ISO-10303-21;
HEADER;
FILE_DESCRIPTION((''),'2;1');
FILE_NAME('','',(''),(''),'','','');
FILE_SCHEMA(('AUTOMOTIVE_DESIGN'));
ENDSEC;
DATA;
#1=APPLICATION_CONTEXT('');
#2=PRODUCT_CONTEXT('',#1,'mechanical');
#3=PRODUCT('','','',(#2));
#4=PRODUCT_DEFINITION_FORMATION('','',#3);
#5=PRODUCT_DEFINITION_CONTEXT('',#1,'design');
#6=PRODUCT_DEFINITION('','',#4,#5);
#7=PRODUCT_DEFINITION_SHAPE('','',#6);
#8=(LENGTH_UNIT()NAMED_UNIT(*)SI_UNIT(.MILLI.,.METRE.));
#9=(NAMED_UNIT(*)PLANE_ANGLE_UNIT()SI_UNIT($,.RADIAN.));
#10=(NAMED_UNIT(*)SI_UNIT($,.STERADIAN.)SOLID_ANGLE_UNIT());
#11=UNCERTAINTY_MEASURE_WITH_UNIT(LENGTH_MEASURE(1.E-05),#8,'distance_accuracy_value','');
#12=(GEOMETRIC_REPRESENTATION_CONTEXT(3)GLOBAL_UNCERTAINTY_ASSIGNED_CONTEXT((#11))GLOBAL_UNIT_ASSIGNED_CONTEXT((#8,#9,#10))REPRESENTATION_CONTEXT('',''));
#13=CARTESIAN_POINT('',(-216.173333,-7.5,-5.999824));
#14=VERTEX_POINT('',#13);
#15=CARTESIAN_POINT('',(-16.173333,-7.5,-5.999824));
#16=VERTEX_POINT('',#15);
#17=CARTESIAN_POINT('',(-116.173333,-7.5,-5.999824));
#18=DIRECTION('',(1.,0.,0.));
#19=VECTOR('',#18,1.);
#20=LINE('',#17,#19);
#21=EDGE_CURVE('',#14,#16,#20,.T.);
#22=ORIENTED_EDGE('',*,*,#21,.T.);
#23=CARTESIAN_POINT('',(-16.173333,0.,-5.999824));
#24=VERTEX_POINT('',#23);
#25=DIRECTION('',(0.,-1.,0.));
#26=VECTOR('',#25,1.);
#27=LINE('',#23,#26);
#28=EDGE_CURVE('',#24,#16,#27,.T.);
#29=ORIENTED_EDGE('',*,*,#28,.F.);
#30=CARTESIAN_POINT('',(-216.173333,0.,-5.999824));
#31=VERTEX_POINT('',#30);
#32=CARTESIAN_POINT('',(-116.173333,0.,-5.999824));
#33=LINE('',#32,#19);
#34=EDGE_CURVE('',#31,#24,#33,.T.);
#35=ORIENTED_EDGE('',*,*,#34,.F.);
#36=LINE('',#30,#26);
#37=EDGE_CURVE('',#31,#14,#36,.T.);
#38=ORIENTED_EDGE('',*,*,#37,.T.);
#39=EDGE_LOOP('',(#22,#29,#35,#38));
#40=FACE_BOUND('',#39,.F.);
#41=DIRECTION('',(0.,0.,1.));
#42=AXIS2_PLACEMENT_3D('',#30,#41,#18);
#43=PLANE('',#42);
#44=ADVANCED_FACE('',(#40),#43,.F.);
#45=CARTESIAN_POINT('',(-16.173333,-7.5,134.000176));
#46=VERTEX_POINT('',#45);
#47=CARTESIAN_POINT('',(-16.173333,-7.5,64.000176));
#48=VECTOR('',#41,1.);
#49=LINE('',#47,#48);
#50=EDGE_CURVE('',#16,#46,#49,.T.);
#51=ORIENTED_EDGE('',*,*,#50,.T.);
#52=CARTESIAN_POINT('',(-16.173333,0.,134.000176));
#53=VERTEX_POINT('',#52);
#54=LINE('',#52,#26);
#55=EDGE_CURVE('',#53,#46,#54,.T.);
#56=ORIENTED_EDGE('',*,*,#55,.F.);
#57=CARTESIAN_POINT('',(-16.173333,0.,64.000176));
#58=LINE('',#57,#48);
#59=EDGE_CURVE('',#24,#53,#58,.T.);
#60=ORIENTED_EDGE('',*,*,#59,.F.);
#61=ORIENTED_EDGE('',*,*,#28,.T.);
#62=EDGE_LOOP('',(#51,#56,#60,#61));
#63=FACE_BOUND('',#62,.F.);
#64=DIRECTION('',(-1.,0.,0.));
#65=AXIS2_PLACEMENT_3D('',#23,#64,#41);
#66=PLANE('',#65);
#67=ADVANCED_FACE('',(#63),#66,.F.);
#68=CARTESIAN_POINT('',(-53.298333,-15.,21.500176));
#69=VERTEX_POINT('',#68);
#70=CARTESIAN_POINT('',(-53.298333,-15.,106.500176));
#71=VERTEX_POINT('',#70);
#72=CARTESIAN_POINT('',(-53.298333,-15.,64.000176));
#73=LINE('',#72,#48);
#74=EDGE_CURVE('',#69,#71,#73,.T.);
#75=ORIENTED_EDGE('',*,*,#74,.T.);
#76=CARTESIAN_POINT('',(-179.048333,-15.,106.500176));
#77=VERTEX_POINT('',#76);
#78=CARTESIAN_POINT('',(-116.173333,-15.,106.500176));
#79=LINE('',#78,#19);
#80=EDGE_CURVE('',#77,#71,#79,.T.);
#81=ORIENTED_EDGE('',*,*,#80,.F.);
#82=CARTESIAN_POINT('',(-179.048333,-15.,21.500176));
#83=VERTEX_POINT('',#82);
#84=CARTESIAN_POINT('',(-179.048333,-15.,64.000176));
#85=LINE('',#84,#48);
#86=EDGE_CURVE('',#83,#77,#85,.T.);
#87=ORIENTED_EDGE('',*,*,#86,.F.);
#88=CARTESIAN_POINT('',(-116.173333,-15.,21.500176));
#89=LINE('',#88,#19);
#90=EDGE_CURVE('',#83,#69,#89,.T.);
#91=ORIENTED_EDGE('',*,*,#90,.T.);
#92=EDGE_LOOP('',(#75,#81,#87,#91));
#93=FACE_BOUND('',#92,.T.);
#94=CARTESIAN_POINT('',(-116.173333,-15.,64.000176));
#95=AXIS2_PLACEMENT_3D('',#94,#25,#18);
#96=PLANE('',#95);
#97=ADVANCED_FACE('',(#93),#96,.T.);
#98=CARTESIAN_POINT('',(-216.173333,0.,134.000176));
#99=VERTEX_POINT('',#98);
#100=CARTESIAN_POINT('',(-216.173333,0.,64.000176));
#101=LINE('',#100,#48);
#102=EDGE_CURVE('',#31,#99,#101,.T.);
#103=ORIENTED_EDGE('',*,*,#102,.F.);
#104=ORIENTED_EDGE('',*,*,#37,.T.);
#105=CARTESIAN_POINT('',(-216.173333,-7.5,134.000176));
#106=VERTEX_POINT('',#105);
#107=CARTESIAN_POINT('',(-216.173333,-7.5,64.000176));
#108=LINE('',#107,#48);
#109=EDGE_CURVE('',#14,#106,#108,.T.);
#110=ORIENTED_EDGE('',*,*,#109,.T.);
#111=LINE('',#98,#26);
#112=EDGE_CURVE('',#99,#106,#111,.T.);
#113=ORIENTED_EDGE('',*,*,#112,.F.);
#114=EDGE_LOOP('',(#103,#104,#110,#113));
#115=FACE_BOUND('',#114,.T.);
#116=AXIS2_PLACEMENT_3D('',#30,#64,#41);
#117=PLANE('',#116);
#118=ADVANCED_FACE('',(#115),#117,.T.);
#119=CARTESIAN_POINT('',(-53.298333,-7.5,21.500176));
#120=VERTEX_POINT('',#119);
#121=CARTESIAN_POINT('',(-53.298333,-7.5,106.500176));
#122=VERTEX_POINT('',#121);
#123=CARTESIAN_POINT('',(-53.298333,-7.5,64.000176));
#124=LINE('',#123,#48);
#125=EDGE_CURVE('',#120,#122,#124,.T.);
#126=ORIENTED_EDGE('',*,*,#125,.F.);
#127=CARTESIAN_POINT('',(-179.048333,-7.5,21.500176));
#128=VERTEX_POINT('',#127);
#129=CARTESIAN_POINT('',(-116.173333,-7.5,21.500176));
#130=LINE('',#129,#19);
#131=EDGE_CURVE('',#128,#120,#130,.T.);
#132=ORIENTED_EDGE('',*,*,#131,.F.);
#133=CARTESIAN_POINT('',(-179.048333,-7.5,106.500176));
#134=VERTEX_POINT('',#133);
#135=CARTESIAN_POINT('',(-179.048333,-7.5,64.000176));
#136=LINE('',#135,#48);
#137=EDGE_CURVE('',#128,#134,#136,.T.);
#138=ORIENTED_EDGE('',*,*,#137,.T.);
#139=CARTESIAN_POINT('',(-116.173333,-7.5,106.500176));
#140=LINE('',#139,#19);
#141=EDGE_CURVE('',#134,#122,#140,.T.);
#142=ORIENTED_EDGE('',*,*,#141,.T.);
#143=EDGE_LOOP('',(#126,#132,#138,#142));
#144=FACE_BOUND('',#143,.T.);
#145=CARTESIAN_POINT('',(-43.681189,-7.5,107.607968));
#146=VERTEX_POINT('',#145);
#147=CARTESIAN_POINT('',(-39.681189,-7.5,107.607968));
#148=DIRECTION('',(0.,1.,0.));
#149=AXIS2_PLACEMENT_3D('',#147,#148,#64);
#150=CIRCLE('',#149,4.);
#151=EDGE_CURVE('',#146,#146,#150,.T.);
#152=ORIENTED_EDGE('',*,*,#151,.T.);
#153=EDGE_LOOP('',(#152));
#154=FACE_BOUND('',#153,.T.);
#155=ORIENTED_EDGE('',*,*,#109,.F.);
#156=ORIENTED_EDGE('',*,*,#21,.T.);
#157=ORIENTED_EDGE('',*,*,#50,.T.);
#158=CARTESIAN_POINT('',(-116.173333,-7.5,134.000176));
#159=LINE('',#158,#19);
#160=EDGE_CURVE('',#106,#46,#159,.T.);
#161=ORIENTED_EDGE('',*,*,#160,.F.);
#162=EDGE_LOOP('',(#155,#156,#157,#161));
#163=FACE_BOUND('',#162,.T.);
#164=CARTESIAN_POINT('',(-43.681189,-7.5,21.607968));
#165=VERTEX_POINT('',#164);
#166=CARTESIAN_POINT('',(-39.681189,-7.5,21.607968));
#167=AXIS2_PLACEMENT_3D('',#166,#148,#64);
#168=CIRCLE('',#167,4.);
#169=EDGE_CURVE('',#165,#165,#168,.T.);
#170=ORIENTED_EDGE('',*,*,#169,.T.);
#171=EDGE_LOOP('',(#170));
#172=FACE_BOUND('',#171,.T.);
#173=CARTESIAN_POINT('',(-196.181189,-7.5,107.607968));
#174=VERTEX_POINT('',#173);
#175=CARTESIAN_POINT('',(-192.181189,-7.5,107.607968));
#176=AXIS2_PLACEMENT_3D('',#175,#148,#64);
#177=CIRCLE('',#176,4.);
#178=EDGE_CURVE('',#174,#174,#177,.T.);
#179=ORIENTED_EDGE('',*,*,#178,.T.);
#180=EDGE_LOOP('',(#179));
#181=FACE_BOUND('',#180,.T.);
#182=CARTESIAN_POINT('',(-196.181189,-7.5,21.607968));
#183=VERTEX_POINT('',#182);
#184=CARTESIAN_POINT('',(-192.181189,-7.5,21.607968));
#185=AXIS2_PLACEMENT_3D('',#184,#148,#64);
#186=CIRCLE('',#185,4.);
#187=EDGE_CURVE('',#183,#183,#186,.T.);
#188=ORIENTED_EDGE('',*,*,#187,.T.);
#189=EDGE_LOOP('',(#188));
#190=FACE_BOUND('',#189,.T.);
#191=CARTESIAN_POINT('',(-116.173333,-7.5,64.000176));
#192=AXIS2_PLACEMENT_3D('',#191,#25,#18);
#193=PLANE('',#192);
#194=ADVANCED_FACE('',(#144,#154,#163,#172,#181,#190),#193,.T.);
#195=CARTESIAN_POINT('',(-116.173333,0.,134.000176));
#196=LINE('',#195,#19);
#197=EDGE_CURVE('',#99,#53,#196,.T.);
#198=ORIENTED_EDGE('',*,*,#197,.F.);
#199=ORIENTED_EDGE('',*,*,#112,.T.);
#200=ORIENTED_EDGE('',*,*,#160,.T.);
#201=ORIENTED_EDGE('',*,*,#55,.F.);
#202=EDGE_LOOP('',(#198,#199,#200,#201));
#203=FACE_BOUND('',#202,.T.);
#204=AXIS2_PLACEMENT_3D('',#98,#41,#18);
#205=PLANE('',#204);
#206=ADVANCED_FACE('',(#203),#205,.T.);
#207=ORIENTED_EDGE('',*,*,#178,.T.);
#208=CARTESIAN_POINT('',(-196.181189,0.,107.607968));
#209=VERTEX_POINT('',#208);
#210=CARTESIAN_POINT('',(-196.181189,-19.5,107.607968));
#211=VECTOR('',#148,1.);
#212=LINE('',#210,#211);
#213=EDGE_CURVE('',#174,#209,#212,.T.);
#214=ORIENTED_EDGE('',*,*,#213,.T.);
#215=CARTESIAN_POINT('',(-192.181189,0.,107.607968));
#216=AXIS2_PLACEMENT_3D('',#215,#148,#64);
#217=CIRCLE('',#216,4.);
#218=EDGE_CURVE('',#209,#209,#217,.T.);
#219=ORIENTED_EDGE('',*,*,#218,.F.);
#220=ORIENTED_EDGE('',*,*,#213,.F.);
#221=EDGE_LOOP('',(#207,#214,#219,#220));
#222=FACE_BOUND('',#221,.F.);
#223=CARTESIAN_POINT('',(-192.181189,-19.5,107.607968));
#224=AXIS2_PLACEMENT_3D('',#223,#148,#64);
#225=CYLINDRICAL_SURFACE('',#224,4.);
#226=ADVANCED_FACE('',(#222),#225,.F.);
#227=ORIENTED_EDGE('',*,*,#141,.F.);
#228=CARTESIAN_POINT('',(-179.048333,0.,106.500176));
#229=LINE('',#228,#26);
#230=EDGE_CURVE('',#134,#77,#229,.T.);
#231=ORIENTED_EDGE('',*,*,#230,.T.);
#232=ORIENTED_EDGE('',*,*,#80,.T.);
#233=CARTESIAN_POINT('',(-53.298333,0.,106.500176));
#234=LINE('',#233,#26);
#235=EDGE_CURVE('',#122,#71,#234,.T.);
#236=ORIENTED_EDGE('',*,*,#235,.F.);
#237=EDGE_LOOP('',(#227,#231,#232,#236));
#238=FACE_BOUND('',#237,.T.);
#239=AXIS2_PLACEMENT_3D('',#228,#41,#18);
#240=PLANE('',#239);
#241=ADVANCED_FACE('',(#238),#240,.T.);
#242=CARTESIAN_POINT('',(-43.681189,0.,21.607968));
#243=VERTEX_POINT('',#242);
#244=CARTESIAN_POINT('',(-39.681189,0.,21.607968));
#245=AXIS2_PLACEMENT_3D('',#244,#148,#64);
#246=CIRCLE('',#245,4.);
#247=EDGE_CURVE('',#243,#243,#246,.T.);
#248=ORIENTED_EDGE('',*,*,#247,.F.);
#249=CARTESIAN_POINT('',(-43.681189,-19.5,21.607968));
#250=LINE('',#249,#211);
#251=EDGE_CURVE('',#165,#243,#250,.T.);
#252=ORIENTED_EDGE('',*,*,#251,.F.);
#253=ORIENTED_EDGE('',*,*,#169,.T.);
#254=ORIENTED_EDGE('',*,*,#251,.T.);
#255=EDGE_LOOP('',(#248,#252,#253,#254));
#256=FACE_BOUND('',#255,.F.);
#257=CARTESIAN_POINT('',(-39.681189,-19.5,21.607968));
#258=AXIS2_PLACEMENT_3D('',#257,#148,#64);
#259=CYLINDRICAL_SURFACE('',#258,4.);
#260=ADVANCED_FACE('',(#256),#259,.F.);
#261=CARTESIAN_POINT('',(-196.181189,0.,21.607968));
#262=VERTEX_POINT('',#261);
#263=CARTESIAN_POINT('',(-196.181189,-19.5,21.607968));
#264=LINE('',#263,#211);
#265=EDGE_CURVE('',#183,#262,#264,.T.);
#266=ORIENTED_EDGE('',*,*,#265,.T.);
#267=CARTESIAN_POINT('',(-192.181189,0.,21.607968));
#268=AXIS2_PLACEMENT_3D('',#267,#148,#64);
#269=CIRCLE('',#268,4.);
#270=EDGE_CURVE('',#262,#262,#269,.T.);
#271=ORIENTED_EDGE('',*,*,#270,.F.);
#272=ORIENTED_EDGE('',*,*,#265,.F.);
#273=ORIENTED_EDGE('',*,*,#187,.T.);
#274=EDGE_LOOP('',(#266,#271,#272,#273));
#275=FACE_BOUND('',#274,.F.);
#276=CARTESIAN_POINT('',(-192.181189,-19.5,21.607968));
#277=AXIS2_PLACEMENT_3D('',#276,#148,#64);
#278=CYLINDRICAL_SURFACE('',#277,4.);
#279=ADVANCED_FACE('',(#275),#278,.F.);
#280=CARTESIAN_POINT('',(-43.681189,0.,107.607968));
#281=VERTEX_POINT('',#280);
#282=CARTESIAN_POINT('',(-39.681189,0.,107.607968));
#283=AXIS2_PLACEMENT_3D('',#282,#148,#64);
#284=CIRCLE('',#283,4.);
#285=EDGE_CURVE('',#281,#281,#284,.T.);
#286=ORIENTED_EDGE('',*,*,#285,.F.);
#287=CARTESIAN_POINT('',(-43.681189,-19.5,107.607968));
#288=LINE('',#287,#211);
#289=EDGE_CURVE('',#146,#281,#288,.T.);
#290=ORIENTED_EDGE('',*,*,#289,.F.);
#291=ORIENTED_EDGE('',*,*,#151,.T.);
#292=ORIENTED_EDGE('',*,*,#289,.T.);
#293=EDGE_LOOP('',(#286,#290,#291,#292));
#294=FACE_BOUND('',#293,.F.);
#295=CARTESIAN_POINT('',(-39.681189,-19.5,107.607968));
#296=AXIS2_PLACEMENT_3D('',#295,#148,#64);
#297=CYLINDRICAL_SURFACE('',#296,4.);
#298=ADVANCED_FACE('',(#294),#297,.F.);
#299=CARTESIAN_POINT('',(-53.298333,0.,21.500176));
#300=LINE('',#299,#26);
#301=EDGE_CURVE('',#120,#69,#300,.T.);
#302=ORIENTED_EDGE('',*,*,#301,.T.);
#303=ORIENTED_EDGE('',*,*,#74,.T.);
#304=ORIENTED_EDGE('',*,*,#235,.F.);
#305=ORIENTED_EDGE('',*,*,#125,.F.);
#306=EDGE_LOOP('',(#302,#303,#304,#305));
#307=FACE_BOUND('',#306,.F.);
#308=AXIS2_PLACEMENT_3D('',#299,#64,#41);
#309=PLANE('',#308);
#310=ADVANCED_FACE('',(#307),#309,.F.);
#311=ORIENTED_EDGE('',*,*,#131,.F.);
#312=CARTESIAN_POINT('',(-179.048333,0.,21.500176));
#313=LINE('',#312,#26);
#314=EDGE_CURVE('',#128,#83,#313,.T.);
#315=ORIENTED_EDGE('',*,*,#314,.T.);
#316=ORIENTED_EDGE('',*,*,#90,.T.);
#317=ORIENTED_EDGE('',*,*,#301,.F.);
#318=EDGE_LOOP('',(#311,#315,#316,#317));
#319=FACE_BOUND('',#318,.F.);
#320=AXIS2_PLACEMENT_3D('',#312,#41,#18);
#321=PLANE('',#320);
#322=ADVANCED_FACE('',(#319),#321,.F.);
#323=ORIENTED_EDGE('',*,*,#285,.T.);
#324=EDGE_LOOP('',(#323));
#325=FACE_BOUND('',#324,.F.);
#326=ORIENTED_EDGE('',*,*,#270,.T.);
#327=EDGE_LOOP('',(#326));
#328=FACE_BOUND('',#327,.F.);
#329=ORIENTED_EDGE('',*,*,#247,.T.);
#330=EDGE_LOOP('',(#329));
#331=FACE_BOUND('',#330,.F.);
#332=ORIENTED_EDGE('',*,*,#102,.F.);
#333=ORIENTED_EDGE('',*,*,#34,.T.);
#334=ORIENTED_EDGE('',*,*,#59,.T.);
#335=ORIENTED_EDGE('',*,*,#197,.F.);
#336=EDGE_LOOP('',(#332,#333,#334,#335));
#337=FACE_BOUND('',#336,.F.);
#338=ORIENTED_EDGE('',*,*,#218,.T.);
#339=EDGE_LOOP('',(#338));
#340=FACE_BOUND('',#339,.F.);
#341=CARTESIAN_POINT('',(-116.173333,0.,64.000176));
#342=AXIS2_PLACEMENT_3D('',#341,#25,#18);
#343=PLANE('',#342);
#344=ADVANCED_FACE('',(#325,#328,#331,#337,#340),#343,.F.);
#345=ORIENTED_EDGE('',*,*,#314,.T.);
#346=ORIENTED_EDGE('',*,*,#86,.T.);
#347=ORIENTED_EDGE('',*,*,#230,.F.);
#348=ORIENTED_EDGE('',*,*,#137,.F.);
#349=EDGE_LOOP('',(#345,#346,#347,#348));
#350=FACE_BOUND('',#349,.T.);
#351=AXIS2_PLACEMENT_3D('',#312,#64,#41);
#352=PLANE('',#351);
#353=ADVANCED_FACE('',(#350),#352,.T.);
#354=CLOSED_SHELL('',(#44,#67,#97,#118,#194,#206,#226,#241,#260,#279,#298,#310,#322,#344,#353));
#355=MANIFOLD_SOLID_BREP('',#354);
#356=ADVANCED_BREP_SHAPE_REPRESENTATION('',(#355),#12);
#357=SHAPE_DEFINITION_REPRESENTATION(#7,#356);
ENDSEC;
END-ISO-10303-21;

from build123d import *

# Parameters (mm, degrees)
F0_W     = 200
F0_H     = 140
F0_W_2   = 125.75
F0_H_2   = 85
F1_DEPTH = 7.5
F3_D     = 8
F3_DEPTH = 12
F4_DEPTH = 15


with BuildPart() as f1:
    # F0 (on Front) → F1 (new body)
    with BuildSketch(Plane.XZ):
        with Locations((-116.173333, 64.000176)):
            Rectangle(F0_W, F0_H)
        with Locations((-116.173333, 64.000176)):
            Rectangle(F0_W_2, F0_H_2, mode=Mode.SUBTRACT)
    extrude(amount=F1_DEPTH)

    # F3
    with Locations(Plane.XZ.offset(7.5)):
        with Locations((-39.681189, 21.607968), (-192.181189, 21.607968), (-192.181189, 107.607968), (-39.681189, 107.607968)):
            Hole(F3_D / 2, depth=F3_DEPTH)

    # F0 (on Front) → F4 (join)
    with BuildSketch(Plane.XZ):
        with Locations((-116.173333, 64.000176)):
            Rectangle(F0_W_2, F0_H_2)
    extrude(amount=F4_DEPTH)


solid = f1.part
